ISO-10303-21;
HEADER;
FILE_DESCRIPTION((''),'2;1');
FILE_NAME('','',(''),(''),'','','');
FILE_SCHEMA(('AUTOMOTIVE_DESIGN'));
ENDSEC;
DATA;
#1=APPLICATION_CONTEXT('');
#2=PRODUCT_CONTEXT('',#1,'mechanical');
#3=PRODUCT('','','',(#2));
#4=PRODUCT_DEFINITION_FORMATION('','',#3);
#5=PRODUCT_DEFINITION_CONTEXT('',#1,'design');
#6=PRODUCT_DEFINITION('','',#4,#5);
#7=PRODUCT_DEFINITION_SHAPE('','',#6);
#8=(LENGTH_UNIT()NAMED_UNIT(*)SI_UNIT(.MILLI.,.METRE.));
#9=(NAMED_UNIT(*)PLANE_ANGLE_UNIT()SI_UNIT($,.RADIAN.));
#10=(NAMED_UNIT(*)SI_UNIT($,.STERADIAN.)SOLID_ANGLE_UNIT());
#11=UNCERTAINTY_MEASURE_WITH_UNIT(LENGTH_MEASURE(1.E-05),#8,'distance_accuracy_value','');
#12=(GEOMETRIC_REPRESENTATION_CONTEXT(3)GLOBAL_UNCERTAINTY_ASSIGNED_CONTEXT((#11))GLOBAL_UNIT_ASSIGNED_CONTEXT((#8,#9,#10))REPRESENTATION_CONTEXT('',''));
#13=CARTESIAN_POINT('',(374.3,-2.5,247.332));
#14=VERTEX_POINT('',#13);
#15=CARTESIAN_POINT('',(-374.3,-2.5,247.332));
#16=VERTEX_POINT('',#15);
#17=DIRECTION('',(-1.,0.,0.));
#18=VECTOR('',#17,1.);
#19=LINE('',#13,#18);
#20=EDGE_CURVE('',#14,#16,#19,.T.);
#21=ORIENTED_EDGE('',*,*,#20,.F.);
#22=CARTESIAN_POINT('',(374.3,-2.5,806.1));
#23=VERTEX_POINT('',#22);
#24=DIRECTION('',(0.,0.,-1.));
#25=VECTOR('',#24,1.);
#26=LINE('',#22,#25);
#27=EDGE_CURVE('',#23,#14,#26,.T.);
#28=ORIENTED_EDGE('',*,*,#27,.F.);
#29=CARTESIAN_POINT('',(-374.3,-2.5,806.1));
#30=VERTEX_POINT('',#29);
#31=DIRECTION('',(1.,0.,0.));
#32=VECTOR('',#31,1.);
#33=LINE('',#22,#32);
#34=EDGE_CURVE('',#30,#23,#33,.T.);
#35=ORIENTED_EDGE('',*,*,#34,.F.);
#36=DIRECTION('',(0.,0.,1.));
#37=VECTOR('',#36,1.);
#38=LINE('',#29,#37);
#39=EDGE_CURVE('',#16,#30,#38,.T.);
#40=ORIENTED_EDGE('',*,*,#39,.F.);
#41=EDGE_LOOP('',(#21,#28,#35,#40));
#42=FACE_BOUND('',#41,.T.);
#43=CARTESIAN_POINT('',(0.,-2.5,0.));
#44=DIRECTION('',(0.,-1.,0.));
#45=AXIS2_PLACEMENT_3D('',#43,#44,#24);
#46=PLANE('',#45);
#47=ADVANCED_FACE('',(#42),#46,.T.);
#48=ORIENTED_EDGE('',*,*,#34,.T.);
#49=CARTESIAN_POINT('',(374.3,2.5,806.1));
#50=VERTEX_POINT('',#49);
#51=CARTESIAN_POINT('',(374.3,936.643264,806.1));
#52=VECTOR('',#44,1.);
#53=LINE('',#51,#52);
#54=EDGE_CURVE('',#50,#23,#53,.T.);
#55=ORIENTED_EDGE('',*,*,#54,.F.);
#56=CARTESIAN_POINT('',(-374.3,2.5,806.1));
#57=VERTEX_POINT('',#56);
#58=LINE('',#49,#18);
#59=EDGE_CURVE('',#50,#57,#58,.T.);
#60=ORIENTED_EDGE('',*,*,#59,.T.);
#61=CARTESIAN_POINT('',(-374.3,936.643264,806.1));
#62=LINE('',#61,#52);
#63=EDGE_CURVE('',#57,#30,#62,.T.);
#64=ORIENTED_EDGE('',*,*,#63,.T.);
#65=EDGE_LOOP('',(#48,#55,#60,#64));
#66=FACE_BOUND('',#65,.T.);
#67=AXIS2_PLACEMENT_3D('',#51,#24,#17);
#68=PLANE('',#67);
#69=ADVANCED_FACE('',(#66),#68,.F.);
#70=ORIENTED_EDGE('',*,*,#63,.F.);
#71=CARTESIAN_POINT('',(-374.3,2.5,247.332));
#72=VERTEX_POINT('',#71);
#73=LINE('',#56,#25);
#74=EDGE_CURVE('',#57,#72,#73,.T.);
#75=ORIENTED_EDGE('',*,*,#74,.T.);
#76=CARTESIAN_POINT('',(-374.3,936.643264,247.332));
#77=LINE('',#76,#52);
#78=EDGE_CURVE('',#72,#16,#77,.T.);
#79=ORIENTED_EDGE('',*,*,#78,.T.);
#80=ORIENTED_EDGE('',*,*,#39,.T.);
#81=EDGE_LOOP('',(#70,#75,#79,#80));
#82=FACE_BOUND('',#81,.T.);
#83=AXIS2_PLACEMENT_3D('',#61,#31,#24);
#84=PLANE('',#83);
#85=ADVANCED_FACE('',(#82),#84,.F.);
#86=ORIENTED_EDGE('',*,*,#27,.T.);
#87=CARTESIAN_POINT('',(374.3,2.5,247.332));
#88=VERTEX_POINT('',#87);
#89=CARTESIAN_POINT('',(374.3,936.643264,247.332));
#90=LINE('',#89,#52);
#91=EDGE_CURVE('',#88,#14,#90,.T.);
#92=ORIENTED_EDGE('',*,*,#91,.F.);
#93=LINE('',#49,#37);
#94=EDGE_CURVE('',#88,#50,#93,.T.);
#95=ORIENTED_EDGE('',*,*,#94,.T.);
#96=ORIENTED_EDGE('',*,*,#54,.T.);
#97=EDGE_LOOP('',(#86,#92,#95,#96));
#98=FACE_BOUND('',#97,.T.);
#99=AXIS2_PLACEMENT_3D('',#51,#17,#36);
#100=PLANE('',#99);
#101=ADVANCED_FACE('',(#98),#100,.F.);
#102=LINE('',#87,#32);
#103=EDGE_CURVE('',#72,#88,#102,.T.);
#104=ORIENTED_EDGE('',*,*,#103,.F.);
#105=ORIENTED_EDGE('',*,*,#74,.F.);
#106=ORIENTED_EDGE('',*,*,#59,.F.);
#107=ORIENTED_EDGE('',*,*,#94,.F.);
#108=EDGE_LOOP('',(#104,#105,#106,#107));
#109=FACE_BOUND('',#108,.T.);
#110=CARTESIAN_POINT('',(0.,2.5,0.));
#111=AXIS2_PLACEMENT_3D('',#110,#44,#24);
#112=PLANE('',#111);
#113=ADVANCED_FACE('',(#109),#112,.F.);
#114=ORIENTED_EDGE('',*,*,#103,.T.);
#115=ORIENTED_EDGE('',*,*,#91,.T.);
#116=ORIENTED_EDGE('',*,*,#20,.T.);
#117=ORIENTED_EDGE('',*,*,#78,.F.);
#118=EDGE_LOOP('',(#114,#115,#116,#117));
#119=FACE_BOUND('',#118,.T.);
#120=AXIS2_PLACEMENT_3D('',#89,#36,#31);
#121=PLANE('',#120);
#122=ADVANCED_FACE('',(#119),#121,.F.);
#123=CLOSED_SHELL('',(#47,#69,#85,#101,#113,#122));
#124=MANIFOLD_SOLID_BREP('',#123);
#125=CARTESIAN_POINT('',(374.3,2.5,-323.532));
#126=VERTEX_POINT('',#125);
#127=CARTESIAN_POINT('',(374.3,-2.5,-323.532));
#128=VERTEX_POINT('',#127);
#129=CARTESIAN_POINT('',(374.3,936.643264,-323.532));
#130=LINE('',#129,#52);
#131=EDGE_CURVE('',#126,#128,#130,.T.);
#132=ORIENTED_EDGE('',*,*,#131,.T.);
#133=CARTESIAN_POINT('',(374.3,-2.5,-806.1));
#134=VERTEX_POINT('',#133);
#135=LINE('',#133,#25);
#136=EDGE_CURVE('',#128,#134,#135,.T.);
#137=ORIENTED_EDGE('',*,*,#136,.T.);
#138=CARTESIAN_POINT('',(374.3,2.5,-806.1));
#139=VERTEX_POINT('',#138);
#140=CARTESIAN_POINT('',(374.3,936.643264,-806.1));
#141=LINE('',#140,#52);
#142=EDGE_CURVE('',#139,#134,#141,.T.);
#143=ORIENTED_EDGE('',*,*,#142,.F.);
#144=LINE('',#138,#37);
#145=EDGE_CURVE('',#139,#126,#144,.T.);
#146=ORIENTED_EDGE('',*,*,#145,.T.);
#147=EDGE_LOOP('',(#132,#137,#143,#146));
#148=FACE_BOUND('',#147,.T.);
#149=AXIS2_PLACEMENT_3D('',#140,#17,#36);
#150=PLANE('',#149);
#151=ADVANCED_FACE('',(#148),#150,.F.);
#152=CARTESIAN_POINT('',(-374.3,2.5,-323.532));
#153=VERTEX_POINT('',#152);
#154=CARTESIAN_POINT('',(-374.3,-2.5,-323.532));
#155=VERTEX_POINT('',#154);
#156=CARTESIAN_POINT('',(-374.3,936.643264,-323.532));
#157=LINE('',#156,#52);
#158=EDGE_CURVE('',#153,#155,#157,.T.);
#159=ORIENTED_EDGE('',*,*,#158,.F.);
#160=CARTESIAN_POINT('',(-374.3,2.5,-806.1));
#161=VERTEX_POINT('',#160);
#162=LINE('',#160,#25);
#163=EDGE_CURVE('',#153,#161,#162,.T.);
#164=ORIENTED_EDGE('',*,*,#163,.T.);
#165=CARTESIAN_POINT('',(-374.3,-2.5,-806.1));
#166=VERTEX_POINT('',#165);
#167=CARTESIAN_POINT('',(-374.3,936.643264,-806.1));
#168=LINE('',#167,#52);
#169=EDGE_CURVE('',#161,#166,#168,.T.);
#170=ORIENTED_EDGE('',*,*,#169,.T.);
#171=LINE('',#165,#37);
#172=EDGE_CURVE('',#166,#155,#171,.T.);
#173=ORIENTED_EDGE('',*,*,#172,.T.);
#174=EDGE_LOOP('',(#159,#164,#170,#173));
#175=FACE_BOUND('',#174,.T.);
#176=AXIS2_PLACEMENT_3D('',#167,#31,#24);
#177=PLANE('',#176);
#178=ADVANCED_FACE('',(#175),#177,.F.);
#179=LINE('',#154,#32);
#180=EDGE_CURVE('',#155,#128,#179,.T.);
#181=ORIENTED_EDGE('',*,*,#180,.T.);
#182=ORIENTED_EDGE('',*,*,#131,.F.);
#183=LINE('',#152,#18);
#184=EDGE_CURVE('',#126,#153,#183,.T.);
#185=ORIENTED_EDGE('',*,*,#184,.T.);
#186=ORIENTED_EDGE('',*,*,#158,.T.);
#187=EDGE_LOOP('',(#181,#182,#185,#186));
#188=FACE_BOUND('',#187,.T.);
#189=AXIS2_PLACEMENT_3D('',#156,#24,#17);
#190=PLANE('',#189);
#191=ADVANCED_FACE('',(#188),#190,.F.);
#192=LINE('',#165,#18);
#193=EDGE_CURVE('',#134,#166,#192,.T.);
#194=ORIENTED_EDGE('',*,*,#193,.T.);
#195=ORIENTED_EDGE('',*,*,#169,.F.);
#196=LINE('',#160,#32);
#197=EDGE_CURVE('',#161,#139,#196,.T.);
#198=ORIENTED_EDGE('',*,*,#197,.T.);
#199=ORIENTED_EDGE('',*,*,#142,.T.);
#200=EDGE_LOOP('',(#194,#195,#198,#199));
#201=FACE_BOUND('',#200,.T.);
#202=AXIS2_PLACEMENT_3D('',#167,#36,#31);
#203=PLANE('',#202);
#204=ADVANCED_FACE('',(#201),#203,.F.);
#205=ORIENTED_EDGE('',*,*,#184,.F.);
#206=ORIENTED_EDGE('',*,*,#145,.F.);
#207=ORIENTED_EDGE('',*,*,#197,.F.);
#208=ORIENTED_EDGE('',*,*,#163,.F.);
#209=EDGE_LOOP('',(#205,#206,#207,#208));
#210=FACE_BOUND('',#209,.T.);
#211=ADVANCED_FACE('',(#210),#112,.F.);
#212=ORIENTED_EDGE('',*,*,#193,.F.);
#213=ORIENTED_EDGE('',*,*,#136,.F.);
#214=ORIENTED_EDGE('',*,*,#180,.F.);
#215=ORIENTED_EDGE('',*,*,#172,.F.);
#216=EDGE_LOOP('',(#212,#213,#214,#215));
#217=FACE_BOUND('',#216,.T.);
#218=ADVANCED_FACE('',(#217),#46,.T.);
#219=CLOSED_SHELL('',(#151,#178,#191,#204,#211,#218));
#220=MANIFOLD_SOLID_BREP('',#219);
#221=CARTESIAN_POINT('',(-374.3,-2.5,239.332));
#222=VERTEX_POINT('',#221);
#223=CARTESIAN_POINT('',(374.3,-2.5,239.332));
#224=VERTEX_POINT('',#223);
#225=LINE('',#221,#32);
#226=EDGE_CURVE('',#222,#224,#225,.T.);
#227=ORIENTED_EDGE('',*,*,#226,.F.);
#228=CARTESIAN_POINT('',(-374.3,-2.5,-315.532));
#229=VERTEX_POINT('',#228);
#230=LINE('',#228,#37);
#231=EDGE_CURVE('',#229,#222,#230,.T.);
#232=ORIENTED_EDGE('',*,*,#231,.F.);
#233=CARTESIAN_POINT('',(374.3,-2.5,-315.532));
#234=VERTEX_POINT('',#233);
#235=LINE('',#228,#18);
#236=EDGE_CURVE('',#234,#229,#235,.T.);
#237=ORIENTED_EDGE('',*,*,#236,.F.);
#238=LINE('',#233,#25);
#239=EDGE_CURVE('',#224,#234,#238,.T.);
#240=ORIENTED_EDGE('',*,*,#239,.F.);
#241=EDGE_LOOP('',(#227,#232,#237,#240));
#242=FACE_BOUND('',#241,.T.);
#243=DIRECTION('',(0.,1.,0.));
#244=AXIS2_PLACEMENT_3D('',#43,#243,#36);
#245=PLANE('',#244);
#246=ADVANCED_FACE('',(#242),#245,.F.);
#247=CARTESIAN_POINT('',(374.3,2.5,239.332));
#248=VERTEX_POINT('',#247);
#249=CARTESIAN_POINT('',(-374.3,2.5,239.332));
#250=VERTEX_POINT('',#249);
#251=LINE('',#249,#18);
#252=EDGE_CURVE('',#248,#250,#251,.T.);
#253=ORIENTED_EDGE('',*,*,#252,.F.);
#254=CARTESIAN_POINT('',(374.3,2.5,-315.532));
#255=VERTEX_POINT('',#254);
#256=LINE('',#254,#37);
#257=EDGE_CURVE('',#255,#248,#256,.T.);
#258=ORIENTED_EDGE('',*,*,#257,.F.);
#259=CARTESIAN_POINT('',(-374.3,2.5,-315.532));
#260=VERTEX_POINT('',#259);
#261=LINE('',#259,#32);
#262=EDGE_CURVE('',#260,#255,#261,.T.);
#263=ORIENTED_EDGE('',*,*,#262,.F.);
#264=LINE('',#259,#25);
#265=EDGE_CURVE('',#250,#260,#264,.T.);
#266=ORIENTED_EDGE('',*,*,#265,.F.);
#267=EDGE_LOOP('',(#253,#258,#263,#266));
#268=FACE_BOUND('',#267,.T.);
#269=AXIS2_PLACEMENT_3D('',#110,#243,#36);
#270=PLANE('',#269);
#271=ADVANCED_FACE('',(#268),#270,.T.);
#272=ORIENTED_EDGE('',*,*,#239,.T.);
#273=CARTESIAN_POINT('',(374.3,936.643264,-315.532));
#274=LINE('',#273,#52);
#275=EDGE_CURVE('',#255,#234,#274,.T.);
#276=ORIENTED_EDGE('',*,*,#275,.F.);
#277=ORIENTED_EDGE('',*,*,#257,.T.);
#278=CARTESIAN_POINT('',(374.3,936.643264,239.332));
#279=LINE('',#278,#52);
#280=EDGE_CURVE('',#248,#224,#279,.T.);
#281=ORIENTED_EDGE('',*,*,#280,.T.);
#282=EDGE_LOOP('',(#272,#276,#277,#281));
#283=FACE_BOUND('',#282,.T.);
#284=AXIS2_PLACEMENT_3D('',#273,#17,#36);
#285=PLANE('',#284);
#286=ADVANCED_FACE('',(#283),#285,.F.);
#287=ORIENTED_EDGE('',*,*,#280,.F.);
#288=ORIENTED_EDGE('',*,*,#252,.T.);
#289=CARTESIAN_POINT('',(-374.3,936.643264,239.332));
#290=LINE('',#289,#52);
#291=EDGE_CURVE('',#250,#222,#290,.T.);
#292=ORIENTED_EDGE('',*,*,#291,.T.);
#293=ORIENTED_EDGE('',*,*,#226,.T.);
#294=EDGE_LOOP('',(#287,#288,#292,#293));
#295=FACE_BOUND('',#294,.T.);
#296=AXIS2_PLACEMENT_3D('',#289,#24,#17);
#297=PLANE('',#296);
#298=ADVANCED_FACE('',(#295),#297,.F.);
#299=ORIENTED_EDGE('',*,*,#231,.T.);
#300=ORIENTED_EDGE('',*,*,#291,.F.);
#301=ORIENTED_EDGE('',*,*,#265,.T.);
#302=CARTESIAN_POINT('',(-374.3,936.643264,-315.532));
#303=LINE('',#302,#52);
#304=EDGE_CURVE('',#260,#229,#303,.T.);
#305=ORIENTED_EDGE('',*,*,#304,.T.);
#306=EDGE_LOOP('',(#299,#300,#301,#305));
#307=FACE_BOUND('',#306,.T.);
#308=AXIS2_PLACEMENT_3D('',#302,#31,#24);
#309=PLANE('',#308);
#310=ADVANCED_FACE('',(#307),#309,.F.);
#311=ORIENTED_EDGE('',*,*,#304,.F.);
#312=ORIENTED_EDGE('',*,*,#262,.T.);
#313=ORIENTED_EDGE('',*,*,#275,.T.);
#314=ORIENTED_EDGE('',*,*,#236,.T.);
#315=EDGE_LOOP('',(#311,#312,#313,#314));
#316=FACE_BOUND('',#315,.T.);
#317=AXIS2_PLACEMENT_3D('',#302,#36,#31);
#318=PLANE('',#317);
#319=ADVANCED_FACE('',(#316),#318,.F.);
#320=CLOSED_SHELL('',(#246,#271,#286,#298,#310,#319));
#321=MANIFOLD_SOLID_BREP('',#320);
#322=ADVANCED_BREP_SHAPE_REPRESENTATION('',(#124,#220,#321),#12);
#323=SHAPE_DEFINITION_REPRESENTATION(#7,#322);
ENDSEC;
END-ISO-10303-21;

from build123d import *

# Parameters (mm, degrees)
BOSS_EXTRUDE1_DEPTH             = 2.5
BOSS_EXTRUDE1_DEPTH_BACK        = 2.5
SKETCH1_W                       = 736.6
SKETCH1_H                       = 470.568
BOSS_EXTRUDE1_2_DEPTH           = 2.5
BOSS_EXTRUDE1_2_DEPTH_BACK      = 2.5
SKETCH1_H_2                     = 546.768
BOSS_EXTRUDE1_3_DEPTH           = 2.5
BOSS_EXTRUDE1_3_DEPTH_BACK      = 2.5
SKETCH1_H_3                     = 542.864
BOSS_EXTRUDE2_REACH             = 882.801
SKETCH2_W                       = 748.6
SKETCH2_H                       = 482.568
SKETCH2_W_2                     = 736.6
SKETCH2_H_2                     = 470.568
SKETCH2_H_3                     = 558.768
SKETCH2_H_4                     = 546.768
SKETCH2_H_5                     = 554.864
SKETCH2_H_6                     = 542.864
BOSS_EXTRUDE2_DIRECTION_2_REACH = 882.801


with BuildPart() as part:
    # Sketch1 → Boss-Extrude1 (new, two sides: drawn at the far end of the back side and taken through both)
    with BuildSketch(Plane(origin=(0, 0, 0), x_dir=(1, 0, 0), z_dir=(0, 1, 0)).offset(-BOSS_EXTRUDE1_DEPTH_BACK)):
        with Locations((0, 564.816)):
            Rectangle(SKETCH1_W, SKETCH1_H)
    extrude(amount=BOSS_EXTRUDE1_DEPTH + BOSS_EXTRUDE1_DEPTH_BACK)

    # Boss-Extrude2: up to this face of the body (flat: up to its plane)
    boss_extrude2_end = Plane(part.part.faces().sort_by_distance((0, 2.5, -564.816))[0])
    # Sketch2 → Boss-Extrude2 (add, up to the picked face)
    with BuildSketch(Plane(origin=(0, 0, 0), x_dir=(1, 0, 0), z_dir=(0, 1, 0)), mode=Mode.PRIVATE) as boss_extrude2_sk1:
        with Locations((0, 564.816)):
            Rectangle(SKETCH2_W, SKETCH2_H)
        with Locations((0, 564.816)):
            Rectangle(SKETCH2_W_2, SKETCH2_H_2, mode=Mode.SUBTRACT)
    boss_extrude2_tool1 = split(extrude(boss_extrude2_sk1.sketch, amount=BOSS_EXTRUDE2_REACH, mode=Mode.PRIVATE), bisect_by=boss_extrude2_end, keep=Keep.BOTH, mode=Mode.PRIVATE)
    # Sketch2 → Boss-Extrude2 (add, up to the picked face)
    with BuildSketch(Plane(origin=(0, 0, 0), x_dir=(1, 0, 0), z_dir=(0, 1, 0)), mode=Mode.PRIVATE) as boss_extrude2_sk2:
        with Locations((0, -526.716)):
            Rectangle(SKETCH2_W, SKETCH2_H_3)
        with Locations((0, -526.716)):
            Rectangle(SKETCH2_W_2, SKETCH2_H_4, mode=Mode.SUBTRACT)
    boss_extrude2_tool2 = split(extrude(boss_extrude2_sk2.sketch, amount=BOSS_EXTRUDE2_REACH, mode=Mode.PRIVATE), bisect_by=boss_extrude2_end, keep=Keep.BOTH, mode=Mode.PRIVATE)
    # Sketch2 → Boss-Extrude2 (add, up to the picked face)
    with BuildSketch(Plane(origin=(0, 0, 0), x_dir=(1, 0, 0), z_dir=(0, 1, 0)), mode=Mode.PRIVATE) as boss_extrude2_sk3:
        with Locations((0, 38.1)):
            Rectangle(SKETCH2_W, SKETCH2_H_5)
        with Locations((0, 38.1)):
            Rectangle(SKETCH2_W_2, SKETCH2_H_6, mode=Mode.SUBTRACT)
    boss_extrude2_tool3 = split(extrude(boss_extrude2_sk3.sketch, amount=BOSS_EXTRUDE2_REACH, mode=Mode.PRIVATE), bisect_by=boss_extrude2_end, keep=Keep.BOTH, mode=Mode.PRIVATE)


with BuildPart() as body_2:
    # Sketch1 → Boss-Extrude1 2 (new, two sides: drawn at the far end of the back side and taken through both)
    with BuildSketch(Plane(origin=(0, 0, 0), x_dir=(1, 0, 0), z_dir=(0, 1, 0)).offset(-BOSS_EXTRUDE1_2_DEPTH_BACK)):
        with Locations((0, -526.716)):
            Rectangle(SKETCH1_W, SKETCH1_H_2)
    extrude(amount=BOSS_EXTRUDE1_2_DEPTH + BOSS_EXTRUDE1_2_DEPTH_BACK)


with BuildPart() as body_3:
    # Sketch1 → Boss-Extrude1 3 (new, two sides: drawn at the far end of the back side and taken through both)
    with BuildSketch(Plane(origin=(0, 0, 0), x_dir=(1, 0, 0), z_dir=(0, 1, 0)).offset(-BOSS_EXTRUDE1_3_DEPTH_BACK)):
        with Locations((0, 38.1)):
            Rectangle(SKETCH1_W, SKETCH1_H_3)
    extrude(amount=BOSS_EXTRUDE1_3_DEPTH + BOSS_EXTRUDE1_3_DEPTH_BACK)


with BuildPart() as part_1:
    add(part.part)

    add(body_2.part)  # Boss-Extrude2 merges body 2

    add(body_3.part)  # Boss-Extrude2 merges body 3
    add(boss_extrude2_tool1.solids().sort_by(Axis((0, 0, -805.209341), (0, 1, 0)))[0])
    add(boss_extrude2_tool2.solids().sort_by(Axis((0, 0, 805.165857), (0, 1, 0)))[0])
    add(boss_extrude2_tool3.solids().sort_by(Axis((0, 0, -314.600187), (0, 1, 0)))[0])

    # Boss-Extrude2 direction 2: up to this face of the body (flat: up to its plane)
    boss_extrude2_direction_2_end = Plane(part_1.part.faces().sort_by_distance((0, -2.5, -564.816))[0])
    # Sketch2 → Boss-Extrude2 direction 2 (add, up to the picked face)
    with BuildSketch(Plane(origin=(0, 0, 0), x_dir=(1, 0, 0), z_dir=(0, 1, 0)), mode=Mode.PRIVATE) as boss_extrude2_direction_2_sk1:
        with Locations((0, 564.816)):
            Rectangle(SKETCH2_W, SKETCH2_H)
        with Locations((0, 564.816)):
            Rectangle(SKETCH2_W_2, SKETCH2_H_2, mode=Mode.SUBTRACT)
    boss_extrude2_direction_2_tool1 = split(extrude(boss_extrude2_direction_2_sk1.sketch, amount=-BOSS_EXTRUDE2_DIRECTION_2_REACH, mode=Mode.PRIVATE), bisect_by=boss_extrude2_direction_2_end, keep=Keep.BOTH, mode=Mode.PRIVATE)
    # Sketch2 → Boss-Extrude2 direction 2 (add, up to the picked face)
    with BuildSketch(Plane(origin=(0, 0, 0), x_dir=(1, 0, 0), z_dir=(0, 1, 0)), mode=Mode.PRIVATE) as boss_extrude2_direction_2_sk2:
        with Locations((0, -526.716)):
            Rectangle(SKETCH2_W, SKETCH2_H_3)
        with Locations((0, -526.716)):
            Rectangle(SKETCH2_W_2, SKETCH2_H_4, mode=Mode.SUBTRACT)
    boss_extrude2_direction_2_tool2 = split(extrude(boss_extrude2_direction_2_sk2.sketch, amount=-BOSS_EXTRUDE2_DIRECTION_2_REACH, mode=Mode.PRIVATE), bisect_by=boss_extrude2_direction_2_end, keep=Keep.BOTH, mode=Mode.PRIVATE)
    # Sketch2 → Boss-Extrude2 direction 2 (add, up to the picked face)
    with BuildSketch(Plane(origin=(0, 0, 0), x_dir=(1, 0, 0), z_dir=(0, 1, 0)), mode=Mode.PRIVATE) as boss_extrude2_direction_2_sk3:
        with Locations((0, 38.1)):
            Rectangle(SKETCH2_W, SKETCH2_H_5)
        with Locations((0, 38.1)):
            Rectangle(SKETCH2_W_2, SKETCH2_H_6, mode=Mode.SUBTRACT)
    boss_extrude2_direction_2_tool3 = split(extrude(boss_extrude2_direction_2_sk3.sketch, amount=-BOSS_EXTRUDE2_DIRECTION_2_REACH, mode=Mode.PRIVATE), bisect_by=boss_extrude2_direction_2_end, keep=Keep.BOTH, mode=Mode.PRIVATE)
    add(boss_extrude2_direction_2_tool1.solids().sort_by(Axis((0, 0, -805.209341), (0, -1, 0)))[0])
    add(boss_extrude2_direction_2_tool2.solids().sort_by(Axis((0, 0, 805.165857), (0, -1, 0)))[0])
    add(boss_extrude2_direction_2_tool3.solids().sort_by(Axis((0, 0, -314.600187), (0, -1, 0)))[0])


solid = part_1.part
